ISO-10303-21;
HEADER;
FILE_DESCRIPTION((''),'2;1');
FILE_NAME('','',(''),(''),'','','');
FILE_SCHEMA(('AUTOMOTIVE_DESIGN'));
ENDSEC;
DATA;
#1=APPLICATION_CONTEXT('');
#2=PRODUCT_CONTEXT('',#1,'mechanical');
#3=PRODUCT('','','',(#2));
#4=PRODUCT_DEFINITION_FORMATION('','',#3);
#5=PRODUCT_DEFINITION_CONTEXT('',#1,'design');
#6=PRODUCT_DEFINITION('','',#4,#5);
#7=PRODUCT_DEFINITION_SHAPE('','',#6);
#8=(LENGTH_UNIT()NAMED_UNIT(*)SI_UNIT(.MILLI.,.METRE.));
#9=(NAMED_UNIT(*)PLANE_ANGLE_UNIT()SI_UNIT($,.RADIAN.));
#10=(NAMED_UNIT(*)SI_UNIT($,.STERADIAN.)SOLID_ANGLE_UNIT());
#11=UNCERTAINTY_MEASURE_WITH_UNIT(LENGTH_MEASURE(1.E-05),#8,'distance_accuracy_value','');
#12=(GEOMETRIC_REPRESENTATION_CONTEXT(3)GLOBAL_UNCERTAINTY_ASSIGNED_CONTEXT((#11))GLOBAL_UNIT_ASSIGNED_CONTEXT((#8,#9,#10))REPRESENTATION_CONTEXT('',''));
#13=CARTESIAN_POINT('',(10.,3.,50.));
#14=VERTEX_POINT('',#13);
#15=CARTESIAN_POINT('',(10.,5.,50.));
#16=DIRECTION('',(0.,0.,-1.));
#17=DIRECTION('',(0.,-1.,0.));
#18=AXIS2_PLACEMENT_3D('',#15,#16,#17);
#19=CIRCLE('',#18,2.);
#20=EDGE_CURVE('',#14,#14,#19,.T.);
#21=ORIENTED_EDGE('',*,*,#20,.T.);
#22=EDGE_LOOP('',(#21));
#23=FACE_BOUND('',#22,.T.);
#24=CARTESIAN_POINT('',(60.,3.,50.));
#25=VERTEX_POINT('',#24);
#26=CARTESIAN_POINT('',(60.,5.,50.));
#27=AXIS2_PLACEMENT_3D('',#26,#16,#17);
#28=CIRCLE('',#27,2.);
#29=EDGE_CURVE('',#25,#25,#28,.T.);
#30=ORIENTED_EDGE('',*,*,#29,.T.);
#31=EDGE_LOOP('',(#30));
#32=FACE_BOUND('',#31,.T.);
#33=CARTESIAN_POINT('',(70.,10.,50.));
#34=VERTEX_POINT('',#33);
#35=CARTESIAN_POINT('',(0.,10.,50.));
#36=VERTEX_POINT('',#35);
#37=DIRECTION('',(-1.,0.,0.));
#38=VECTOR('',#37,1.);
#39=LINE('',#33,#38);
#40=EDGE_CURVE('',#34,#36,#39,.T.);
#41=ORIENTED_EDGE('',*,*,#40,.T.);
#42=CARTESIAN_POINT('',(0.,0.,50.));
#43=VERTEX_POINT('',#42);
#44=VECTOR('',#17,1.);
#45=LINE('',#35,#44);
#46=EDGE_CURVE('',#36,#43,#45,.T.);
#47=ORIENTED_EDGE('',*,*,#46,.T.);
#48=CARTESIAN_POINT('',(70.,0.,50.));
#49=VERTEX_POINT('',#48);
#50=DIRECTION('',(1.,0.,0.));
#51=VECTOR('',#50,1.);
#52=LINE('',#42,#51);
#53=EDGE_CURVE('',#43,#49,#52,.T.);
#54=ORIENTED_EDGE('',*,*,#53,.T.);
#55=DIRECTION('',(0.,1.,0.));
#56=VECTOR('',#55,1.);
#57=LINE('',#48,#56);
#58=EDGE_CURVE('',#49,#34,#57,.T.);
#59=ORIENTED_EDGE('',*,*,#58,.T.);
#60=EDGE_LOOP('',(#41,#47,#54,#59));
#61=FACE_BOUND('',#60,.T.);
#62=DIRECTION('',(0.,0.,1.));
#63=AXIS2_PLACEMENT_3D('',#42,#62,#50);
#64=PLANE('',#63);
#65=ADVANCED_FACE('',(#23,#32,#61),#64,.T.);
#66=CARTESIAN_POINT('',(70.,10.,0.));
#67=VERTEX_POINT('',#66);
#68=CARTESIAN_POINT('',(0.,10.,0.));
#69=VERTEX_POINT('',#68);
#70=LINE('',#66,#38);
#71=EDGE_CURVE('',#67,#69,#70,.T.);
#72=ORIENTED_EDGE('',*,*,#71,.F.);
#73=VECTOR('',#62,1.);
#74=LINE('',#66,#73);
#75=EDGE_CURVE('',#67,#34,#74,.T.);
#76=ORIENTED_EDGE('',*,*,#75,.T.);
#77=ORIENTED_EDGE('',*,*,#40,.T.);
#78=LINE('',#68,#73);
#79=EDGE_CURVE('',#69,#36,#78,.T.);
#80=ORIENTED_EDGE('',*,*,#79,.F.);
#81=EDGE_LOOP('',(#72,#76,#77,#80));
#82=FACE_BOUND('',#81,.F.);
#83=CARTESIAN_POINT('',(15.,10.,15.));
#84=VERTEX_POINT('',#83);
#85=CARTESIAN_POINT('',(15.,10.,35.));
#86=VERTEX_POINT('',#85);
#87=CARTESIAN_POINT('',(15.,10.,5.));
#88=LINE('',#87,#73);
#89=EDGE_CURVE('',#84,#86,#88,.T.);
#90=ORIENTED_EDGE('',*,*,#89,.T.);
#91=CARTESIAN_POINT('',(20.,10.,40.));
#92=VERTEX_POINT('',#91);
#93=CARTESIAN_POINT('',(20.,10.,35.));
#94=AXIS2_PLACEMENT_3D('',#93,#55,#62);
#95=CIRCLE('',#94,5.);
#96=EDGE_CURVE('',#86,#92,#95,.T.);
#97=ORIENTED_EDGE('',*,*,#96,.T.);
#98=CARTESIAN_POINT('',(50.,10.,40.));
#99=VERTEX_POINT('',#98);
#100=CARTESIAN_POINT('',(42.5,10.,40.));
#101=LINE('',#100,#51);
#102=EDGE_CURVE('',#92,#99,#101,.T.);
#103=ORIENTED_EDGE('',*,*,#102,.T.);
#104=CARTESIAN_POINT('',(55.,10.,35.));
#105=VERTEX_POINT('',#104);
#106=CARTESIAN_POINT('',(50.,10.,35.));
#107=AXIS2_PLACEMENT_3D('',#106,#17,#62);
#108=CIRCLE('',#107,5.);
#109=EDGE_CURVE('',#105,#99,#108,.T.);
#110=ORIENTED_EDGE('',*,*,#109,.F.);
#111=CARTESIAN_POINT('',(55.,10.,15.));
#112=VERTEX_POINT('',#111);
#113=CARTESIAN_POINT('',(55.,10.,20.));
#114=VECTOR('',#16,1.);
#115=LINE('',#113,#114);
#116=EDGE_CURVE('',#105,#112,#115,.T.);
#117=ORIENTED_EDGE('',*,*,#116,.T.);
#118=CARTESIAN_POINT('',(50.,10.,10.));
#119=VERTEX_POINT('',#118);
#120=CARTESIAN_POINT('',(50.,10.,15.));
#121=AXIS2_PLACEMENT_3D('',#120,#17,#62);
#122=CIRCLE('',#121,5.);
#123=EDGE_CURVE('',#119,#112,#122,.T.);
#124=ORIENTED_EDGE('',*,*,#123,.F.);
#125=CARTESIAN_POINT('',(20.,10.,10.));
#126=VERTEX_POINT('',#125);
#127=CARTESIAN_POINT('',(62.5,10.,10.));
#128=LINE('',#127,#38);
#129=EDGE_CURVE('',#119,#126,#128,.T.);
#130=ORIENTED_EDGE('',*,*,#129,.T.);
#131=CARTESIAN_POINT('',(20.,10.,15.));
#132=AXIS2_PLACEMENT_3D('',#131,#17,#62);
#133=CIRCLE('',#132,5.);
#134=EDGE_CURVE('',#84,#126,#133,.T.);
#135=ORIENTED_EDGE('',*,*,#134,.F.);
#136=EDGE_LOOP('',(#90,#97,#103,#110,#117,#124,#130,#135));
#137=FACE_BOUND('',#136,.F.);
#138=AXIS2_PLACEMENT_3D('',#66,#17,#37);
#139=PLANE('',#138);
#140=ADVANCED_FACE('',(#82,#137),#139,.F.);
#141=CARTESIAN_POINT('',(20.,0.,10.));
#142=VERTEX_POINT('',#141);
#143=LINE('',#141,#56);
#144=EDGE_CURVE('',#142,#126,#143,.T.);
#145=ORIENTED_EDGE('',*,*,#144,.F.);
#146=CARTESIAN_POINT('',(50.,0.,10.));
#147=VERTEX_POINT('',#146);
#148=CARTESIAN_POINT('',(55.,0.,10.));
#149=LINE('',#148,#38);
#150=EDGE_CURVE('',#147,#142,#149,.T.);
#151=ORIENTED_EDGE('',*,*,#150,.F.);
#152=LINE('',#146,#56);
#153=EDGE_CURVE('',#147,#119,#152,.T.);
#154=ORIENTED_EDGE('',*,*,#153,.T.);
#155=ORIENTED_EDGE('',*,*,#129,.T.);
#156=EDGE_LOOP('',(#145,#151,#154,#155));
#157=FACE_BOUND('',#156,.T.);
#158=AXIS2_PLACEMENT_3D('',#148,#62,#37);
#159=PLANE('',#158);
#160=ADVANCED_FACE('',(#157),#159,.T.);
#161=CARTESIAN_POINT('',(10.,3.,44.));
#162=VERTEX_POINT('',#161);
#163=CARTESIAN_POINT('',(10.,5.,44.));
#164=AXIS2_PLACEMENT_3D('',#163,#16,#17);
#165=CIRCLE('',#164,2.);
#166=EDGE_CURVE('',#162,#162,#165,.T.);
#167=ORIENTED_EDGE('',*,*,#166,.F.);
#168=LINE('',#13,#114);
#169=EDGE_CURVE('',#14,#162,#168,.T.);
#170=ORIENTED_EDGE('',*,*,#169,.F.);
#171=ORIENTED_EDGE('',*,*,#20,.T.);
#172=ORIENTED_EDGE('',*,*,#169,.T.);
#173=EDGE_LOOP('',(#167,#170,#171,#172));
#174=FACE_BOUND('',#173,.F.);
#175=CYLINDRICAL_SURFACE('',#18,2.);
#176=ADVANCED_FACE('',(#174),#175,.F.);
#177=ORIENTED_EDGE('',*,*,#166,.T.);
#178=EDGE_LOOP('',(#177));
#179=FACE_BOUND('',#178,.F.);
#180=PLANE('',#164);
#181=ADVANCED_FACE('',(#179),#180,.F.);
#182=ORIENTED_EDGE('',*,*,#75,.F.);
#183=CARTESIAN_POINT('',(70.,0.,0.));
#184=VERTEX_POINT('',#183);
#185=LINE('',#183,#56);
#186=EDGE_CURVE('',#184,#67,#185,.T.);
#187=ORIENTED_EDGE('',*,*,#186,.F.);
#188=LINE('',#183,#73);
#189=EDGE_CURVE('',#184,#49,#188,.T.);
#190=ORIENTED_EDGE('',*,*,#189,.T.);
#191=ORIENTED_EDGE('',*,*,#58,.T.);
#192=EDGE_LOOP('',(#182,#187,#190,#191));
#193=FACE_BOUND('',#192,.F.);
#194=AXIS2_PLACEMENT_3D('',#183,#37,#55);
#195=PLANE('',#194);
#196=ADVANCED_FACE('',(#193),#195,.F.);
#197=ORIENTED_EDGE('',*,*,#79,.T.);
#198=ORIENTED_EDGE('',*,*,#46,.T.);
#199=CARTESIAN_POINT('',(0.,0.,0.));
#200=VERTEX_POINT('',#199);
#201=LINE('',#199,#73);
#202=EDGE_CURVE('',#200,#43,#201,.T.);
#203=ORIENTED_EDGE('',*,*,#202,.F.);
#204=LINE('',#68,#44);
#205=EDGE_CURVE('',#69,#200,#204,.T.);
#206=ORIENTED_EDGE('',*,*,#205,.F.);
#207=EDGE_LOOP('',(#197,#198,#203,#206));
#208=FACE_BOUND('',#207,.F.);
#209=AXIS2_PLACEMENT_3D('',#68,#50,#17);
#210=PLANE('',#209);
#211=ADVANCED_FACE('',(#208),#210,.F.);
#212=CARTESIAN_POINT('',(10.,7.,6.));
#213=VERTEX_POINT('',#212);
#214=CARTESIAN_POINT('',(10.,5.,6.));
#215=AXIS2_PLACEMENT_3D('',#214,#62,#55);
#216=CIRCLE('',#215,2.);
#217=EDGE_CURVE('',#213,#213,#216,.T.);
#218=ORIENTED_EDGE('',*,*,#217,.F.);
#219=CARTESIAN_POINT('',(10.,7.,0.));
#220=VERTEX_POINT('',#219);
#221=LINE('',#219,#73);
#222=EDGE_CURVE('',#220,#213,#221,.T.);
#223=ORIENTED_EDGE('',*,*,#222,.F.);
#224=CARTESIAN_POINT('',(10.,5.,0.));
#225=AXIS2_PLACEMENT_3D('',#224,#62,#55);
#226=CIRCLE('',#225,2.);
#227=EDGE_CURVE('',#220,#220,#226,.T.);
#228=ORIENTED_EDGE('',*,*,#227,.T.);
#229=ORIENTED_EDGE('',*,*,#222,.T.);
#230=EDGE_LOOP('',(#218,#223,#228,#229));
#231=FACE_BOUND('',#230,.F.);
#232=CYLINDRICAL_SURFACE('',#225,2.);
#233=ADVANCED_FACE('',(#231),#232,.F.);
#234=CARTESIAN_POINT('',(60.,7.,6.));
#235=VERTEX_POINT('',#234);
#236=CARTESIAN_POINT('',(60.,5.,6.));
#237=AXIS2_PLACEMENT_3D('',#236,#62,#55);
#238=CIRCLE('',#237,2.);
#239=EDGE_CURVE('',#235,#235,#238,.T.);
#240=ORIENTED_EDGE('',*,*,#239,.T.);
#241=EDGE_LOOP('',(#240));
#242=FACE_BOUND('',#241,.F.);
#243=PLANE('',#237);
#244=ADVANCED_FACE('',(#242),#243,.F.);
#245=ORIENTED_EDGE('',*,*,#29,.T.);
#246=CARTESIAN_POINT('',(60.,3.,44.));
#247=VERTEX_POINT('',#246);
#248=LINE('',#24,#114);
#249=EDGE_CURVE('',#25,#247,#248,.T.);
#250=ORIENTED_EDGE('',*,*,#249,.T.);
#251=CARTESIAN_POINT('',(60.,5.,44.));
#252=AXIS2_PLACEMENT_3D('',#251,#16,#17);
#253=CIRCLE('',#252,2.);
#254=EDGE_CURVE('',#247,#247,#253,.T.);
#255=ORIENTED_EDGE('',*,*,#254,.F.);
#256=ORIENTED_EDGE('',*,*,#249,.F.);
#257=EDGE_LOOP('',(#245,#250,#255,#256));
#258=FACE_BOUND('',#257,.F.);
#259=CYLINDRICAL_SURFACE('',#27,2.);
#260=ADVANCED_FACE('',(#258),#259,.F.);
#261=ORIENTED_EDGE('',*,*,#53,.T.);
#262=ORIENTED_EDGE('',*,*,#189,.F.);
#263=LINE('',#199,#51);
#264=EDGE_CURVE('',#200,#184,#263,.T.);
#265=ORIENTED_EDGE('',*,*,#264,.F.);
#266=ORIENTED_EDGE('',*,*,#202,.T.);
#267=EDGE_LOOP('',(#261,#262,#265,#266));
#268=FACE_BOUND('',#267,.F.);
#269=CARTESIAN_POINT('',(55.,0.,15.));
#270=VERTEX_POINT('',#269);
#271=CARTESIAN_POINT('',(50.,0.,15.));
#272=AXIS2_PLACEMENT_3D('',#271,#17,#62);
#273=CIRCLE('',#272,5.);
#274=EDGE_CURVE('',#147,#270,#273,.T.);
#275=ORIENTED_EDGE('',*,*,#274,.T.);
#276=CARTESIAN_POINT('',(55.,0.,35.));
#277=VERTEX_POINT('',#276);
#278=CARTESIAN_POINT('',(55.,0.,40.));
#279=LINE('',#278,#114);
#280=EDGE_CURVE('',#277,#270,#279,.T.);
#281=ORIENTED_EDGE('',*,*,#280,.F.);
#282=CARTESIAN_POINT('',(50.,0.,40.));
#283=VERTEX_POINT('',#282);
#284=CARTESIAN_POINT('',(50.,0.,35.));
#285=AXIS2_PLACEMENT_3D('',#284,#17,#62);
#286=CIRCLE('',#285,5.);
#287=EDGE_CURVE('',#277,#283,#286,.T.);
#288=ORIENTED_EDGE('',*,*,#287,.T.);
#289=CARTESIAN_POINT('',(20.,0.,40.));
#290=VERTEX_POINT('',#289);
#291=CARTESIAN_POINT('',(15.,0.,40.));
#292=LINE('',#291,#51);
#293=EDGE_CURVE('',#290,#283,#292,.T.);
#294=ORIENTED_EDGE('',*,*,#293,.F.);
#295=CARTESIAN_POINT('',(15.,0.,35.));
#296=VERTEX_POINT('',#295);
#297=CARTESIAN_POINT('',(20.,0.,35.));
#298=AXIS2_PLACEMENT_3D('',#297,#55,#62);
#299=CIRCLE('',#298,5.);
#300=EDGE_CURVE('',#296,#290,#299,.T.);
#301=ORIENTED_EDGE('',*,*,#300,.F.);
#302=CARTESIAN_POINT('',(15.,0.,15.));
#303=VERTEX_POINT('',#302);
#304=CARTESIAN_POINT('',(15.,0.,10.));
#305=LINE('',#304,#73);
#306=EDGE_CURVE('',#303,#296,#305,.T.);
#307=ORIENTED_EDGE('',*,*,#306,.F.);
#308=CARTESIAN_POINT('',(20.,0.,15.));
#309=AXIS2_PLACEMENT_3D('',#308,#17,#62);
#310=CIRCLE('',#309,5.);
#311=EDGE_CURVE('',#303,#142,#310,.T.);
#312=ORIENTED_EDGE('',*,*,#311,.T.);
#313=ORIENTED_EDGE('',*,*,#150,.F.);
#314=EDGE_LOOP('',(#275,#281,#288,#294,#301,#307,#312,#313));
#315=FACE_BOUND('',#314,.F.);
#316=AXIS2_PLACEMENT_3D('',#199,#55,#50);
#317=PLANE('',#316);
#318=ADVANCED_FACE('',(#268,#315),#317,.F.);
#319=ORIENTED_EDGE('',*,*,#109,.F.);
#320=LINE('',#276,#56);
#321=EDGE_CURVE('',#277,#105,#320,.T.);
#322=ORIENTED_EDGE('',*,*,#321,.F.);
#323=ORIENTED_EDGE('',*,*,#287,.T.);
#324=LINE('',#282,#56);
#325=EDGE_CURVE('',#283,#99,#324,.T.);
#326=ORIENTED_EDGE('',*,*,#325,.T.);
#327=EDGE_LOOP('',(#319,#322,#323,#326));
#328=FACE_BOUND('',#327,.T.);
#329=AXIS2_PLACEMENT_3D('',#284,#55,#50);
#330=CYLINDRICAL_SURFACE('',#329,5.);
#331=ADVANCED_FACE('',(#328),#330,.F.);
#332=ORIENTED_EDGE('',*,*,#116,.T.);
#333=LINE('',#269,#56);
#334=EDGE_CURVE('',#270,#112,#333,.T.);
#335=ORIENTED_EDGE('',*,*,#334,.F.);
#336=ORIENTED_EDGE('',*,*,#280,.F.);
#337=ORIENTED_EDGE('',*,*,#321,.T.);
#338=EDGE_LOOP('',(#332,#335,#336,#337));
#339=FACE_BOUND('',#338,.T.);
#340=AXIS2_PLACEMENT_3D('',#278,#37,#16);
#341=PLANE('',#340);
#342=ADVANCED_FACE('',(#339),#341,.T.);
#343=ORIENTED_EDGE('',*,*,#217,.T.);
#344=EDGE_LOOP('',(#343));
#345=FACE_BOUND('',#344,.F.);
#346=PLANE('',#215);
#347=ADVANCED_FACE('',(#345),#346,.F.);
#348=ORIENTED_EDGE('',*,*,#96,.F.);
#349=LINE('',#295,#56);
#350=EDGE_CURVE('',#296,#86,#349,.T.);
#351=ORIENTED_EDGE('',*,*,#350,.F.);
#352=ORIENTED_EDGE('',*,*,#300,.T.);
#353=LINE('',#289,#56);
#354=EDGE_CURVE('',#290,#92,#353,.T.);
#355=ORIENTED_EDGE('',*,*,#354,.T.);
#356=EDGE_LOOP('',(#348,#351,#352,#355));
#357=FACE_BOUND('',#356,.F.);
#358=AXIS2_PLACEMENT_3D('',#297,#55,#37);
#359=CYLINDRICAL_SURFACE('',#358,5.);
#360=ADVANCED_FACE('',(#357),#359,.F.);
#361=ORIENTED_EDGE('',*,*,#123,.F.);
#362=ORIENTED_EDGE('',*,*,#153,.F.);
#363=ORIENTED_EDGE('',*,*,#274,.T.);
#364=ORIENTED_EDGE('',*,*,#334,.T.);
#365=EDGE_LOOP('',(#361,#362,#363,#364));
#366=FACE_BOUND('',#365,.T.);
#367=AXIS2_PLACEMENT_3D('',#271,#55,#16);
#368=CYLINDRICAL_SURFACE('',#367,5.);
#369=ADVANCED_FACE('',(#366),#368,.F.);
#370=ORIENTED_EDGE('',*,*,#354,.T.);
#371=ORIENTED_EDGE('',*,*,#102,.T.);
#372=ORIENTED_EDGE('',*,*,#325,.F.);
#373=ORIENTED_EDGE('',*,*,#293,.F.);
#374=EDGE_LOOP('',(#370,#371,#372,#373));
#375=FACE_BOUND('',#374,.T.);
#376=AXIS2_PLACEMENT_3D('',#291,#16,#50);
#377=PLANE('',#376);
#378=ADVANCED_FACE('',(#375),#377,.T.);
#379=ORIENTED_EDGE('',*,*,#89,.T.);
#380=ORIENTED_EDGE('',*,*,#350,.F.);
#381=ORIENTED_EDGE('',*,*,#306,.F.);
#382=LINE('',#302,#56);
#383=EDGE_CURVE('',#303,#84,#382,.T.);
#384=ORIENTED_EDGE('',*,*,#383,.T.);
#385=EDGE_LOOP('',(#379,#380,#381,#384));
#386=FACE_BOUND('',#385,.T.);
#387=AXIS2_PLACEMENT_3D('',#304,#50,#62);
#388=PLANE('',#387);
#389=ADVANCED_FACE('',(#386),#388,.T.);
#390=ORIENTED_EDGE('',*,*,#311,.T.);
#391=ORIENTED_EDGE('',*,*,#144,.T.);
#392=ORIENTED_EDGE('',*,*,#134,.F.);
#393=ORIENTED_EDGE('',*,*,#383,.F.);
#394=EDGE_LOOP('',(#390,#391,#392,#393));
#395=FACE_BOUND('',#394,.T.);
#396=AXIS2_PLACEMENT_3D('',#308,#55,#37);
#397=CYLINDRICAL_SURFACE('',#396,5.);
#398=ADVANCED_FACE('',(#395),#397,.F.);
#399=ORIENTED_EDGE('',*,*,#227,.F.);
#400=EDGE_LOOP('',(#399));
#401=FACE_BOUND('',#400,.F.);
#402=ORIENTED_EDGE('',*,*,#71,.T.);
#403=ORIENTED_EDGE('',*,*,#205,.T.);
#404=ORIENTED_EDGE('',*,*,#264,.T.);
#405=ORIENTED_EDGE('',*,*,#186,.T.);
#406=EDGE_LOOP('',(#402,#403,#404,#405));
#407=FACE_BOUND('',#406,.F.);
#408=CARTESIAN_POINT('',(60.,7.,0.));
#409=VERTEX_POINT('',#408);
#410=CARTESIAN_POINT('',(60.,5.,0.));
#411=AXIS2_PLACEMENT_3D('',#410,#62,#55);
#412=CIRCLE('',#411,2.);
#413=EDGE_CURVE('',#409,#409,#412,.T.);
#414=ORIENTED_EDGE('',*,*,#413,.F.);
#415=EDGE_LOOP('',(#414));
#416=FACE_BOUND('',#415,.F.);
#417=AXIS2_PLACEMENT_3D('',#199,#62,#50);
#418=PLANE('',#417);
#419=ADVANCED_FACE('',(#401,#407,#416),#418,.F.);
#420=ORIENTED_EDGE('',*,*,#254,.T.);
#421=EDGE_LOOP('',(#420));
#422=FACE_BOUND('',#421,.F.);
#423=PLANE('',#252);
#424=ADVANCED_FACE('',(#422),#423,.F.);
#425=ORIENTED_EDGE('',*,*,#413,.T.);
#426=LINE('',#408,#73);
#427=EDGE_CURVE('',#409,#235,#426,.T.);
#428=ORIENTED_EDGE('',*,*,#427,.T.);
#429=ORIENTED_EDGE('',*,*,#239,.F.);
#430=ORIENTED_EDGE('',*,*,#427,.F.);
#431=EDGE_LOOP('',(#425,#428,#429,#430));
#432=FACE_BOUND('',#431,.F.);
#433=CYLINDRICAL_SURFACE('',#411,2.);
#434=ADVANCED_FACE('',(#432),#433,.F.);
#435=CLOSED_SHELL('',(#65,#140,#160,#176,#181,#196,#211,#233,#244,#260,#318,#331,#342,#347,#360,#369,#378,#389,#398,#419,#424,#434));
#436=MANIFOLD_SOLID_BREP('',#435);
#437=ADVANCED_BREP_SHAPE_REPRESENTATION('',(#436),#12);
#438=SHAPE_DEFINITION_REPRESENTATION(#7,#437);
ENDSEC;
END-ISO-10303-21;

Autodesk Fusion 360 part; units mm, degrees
sketch "Sketch1" plane through (0, 0, 0) normal (0, 0, 1) x (1, 0, 0)
  line L0 (0, 0) -> (70, 0)
  line L1 (70, 0) -> (70, 10)
  line L2 (70, 10) -> (0, 10)
  line L3 (0, 10) -> (0, 0)
  line L4 (0, 5) -> (70, 5) construction
  point P0 (10, 5)
  point P1 (60, 5)
  dimension "d1" = 70
  dimension "d2" = 10
  dimension "d9" = 50
  dimension "d10" = 10
extrude "Extrude1" add sketch "Sketch1" along normal blind 50
sketch "Sketch2" plane through (0, 0, 50) normal (0, 0, 1) x (-1, 0, 0)
  line L0 (0, -10) -> (0, 0)
  line L1 (0, 0) -> (-70, 0)
  line L2 (-70, 0) -> (-70, -10)
  line L3 (-70, -10) -> (0, -10)
  line L4 (0, -5) -> (-70, -5) construction
  line L5 (0, -10) -> (0, 0)
  point P0 (-10, -5)
  point P1 (-60, -5)
  dimension "d11" = 50
  dimension "d12" = 10
hole "Hole1" at (10, 5, 50) at (60, 5, 50) direction (0, 0, -1) diameter 4 depth 6 tip angle 180
hole "Hole2" at (10, 5, 0) at (60, 5, 0) direction (0, 0, 1) diameter 4 depth 6 tip angle 180
sketch "Sketch3" plane through (0, 0, 0) normal (0, -1, 0) x (1, 0, 0)
  line L0 (0, 0) -> (70, 0)
  line L1 (70, 0) -> (70, 50)
  line L2 (70, 50) -> (0, 50)
  line L3 (0, 50) -> (0, 0)
  line L4 (15, 40) -> (55, 40)
  line L5 (55, 40) -> (55, 10)
  line L6 (55, 10) -> (15, 10)
  line L7 (15, 10) -> (15, 40)
  line L8 (0, 0) -> (70, 0)
  dimension "d19" = 15
  dimension "d20" = 10
  dimension "d21" = 10
  dimension "d22" = 15
extrude "Extrude2" cut sketch "Sketch3" against normal blind 33 contours L4 L5 L6 L7
fillet "Fillet1" radius 5 4 edges at (15, 5, 40) (55, 5, 40) (55, 5, 10) (15, 5, 10)
equation "d10 = ( 70 mm - d9 ) / 2"
equation "d12 = ( 70 mm - d11 ) / 2"
